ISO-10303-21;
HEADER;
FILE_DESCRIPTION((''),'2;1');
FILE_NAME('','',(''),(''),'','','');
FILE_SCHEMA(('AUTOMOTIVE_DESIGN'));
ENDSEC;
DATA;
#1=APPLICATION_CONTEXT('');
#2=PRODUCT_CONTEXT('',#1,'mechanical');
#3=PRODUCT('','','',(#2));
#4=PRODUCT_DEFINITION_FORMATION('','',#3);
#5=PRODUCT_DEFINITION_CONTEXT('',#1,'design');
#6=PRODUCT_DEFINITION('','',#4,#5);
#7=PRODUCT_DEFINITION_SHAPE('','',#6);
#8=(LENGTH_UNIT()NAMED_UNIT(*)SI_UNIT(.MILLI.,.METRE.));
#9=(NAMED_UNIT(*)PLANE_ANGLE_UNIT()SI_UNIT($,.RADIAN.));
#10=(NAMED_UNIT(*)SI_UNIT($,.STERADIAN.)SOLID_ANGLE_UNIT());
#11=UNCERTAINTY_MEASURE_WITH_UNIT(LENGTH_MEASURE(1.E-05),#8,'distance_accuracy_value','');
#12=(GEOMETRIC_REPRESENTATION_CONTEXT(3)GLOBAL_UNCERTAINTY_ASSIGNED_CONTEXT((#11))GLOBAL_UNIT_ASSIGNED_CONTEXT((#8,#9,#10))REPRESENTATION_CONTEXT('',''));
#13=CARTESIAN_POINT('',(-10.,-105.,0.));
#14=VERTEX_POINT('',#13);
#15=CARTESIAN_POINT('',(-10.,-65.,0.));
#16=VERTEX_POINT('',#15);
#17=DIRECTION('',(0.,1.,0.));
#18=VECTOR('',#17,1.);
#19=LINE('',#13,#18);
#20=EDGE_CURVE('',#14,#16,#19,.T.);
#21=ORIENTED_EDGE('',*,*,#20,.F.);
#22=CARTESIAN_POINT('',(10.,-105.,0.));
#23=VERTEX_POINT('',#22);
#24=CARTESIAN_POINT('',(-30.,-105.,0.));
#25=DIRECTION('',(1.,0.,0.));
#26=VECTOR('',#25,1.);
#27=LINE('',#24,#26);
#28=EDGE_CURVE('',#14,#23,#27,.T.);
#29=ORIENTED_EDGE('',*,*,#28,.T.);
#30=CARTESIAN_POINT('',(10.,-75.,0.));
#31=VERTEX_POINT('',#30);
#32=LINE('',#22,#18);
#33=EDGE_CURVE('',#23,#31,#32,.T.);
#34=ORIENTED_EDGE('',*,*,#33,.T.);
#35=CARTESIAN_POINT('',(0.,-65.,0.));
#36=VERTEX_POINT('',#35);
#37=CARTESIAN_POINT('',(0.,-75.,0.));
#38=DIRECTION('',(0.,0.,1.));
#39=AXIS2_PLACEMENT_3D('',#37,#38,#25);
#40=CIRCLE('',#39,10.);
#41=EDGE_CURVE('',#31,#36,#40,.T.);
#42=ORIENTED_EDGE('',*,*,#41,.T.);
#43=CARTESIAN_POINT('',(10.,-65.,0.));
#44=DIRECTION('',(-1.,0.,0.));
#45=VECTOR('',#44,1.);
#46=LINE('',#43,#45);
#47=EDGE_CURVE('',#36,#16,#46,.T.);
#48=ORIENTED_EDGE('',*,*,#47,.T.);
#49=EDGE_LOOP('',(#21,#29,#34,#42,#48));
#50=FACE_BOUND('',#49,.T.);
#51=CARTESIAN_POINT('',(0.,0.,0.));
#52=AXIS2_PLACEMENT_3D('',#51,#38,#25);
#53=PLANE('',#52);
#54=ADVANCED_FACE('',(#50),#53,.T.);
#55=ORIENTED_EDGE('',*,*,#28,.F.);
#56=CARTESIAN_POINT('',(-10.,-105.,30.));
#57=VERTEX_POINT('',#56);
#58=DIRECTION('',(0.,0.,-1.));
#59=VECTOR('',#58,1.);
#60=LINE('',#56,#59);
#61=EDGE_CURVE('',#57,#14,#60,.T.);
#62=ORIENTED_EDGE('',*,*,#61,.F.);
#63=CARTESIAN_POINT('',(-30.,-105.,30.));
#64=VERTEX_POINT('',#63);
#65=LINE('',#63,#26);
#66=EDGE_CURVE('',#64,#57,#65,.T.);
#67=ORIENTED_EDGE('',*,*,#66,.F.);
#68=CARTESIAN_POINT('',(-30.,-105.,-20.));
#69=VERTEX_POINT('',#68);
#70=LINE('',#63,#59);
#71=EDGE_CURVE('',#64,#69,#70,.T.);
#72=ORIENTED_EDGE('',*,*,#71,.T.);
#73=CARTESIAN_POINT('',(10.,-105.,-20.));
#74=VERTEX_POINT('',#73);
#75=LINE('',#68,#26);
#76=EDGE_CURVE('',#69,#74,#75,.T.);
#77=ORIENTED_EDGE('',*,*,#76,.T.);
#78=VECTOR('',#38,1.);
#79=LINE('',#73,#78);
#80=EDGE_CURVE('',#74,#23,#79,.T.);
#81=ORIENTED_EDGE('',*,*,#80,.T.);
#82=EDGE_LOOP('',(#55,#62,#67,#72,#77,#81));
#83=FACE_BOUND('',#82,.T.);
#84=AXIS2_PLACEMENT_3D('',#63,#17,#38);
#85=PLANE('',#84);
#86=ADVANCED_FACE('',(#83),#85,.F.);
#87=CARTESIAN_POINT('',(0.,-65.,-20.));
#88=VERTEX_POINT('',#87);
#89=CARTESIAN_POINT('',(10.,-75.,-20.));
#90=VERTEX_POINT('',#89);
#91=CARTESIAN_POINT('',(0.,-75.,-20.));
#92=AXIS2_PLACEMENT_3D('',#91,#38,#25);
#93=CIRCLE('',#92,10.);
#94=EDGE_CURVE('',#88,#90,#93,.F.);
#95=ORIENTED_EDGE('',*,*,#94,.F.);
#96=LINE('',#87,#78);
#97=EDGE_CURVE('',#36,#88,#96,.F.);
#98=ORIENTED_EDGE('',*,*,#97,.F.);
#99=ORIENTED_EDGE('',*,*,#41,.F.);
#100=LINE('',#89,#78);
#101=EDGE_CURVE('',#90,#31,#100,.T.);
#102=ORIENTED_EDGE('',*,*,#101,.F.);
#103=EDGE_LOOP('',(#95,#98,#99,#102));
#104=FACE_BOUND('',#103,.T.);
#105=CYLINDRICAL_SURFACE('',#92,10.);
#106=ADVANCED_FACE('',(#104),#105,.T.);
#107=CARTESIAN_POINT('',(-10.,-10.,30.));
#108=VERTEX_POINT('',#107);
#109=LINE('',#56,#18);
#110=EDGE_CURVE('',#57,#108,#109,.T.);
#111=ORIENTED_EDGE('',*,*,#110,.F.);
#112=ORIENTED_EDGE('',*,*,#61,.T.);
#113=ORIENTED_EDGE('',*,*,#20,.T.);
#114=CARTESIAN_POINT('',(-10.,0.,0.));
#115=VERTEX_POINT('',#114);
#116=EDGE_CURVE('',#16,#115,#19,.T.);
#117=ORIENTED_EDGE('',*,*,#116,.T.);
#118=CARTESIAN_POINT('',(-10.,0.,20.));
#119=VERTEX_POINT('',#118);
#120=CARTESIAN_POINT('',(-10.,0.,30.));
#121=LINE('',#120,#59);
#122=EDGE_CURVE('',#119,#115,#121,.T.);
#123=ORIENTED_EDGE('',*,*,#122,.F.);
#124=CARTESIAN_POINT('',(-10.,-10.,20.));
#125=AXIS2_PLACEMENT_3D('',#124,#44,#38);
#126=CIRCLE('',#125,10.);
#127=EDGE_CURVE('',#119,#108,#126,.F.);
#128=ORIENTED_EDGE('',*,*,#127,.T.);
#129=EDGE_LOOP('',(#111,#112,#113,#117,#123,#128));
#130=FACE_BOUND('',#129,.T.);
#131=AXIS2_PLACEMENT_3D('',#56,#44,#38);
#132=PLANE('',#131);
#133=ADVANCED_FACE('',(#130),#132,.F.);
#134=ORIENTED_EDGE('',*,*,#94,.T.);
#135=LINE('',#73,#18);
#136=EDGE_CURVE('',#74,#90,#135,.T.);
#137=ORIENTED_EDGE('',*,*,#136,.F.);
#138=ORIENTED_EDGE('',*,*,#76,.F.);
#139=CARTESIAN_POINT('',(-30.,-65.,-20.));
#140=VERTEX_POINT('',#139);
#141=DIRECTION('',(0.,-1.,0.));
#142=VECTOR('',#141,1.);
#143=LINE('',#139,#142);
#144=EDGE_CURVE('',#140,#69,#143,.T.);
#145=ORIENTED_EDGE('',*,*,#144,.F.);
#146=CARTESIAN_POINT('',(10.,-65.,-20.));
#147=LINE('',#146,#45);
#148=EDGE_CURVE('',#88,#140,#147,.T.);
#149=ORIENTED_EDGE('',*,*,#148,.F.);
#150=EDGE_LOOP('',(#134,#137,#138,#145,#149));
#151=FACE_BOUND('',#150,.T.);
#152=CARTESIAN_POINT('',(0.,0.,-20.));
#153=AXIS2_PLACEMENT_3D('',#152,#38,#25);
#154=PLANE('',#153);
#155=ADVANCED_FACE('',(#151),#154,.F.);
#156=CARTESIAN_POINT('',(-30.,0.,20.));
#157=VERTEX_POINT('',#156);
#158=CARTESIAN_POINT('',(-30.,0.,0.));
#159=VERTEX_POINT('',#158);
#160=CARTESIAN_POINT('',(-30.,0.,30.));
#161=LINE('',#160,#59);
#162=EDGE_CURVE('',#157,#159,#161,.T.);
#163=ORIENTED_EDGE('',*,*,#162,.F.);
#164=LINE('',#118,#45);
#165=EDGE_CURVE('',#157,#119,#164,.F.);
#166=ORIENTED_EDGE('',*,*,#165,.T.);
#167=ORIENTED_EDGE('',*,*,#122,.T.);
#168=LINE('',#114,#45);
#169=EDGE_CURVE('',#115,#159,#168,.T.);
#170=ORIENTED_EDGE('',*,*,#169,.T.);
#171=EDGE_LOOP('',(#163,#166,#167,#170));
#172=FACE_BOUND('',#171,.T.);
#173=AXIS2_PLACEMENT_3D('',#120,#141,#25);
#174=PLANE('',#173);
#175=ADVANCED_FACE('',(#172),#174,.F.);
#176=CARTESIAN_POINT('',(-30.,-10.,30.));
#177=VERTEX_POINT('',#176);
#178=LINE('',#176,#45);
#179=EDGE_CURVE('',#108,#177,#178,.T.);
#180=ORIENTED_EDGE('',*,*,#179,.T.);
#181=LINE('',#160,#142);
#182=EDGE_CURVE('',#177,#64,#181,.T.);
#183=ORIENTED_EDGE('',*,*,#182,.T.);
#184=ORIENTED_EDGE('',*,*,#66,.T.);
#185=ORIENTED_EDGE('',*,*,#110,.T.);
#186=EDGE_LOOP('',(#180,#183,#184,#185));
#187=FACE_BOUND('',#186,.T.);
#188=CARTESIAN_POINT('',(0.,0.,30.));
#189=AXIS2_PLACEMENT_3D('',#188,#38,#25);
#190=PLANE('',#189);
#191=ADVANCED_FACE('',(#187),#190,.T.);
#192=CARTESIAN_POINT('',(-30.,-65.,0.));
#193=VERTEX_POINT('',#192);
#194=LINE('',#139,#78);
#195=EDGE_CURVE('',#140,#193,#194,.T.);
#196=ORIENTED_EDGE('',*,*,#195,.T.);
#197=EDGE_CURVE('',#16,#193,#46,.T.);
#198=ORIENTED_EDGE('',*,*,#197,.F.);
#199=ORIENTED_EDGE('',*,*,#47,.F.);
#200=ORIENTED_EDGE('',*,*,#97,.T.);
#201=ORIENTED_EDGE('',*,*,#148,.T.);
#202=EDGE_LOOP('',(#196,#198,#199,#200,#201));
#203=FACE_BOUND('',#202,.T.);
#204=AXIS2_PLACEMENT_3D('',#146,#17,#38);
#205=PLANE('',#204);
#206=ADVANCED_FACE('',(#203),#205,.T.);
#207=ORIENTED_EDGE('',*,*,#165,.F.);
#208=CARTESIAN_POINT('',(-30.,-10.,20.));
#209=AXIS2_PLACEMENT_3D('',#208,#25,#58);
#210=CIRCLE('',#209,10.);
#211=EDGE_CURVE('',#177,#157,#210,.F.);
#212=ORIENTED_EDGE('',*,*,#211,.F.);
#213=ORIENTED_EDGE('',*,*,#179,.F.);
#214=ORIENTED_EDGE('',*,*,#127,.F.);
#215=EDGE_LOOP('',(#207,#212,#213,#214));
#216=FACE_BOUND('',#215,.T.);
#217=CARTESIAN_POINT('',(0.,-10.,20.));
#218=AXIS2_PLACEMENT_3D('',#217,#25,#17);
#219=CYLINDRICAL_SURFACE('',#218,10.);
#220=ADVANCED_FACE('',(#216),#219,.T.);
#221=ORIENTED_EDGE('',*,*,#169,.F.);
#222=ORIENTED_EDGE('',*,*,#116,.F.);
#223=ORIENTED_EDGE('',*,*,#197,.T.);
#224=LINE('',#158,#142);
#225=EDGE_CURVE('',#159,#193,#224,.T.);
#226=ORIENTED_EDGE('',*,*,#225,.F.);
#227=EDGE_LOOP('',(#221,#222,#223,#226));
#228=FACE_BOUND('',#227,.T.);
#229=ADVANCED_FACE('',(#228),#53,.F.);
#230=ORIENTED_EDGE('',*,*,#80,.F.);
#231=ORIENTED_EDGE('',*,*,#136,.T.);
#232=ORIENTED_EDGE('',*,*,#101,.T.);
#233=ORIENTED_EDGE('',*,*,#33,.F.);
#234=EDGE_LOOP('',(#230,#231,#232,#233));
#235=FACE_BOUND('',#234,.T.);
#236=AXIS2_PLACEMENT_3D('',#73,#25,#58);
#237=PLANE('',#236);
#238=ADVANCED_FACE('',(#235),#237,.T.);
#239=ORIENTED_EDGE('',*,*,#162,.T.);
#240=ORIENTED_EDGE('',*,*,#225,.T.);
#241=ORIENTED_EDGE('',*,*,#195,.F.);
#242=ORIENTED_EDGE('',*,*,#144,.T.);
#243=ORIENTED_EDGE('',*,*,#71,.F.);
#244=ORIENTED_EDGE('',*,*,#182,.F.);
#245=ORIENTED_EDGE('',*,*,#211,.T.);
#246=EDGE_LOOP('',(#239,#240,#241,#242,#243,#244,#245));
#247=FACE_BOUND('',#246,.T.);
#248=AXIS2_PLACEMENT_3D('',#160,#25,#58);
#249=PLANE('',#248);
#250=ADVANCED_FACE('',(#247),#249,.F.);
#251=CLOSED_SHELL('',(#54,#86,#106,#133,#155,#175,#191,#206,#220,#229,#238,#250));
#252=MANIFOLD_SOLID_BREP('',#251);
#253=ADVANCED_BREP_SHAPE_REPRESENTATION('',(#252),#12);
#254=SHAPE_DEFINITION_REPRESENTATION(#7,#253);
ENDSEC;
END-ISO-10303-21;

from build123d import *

# Parameters (mm, degrees)
SKETCH1_W           = 20
SKETCH1_H           = 105
BOSS_EXTRUDE1_DEPTH = 30
SKETCH2_W           = 40
SKETCH2_H           = 40
BOSS_EXTRUDE2_DEPTH = 20
FILLET1_R           = 10


with BuildPart() as part:
    # Sketch1 → Boss-Extrude1 (new body)
    with BuildSketch(Plane.XY):
        with Locations((-20, -52.5)):
            Rectangle(SKETCH1_W, SKETCH1_H)
    extrude(amount=BOSS_EXTRUDE1_DEPTH)

    # Sketch2 → Boss-Extrude2 (add)
    with BuildSketch(Plane.XY):
        with Locations((-10, -85)):
            Rectangle(SKETCH2_W, SKETCH2_H)
    extrude(amount=-BOSS_EXTRUDE2_DEPTH)

    # Fillet1
    fillet1_edges = [part.edges().sort_by_distance(p)[0] for p in [
        (10, -65, -10),
        (-20, 0, 30),
    ]]
    fillet(fillet1_edges, radius=FILLET1_R)


solid = part.part
